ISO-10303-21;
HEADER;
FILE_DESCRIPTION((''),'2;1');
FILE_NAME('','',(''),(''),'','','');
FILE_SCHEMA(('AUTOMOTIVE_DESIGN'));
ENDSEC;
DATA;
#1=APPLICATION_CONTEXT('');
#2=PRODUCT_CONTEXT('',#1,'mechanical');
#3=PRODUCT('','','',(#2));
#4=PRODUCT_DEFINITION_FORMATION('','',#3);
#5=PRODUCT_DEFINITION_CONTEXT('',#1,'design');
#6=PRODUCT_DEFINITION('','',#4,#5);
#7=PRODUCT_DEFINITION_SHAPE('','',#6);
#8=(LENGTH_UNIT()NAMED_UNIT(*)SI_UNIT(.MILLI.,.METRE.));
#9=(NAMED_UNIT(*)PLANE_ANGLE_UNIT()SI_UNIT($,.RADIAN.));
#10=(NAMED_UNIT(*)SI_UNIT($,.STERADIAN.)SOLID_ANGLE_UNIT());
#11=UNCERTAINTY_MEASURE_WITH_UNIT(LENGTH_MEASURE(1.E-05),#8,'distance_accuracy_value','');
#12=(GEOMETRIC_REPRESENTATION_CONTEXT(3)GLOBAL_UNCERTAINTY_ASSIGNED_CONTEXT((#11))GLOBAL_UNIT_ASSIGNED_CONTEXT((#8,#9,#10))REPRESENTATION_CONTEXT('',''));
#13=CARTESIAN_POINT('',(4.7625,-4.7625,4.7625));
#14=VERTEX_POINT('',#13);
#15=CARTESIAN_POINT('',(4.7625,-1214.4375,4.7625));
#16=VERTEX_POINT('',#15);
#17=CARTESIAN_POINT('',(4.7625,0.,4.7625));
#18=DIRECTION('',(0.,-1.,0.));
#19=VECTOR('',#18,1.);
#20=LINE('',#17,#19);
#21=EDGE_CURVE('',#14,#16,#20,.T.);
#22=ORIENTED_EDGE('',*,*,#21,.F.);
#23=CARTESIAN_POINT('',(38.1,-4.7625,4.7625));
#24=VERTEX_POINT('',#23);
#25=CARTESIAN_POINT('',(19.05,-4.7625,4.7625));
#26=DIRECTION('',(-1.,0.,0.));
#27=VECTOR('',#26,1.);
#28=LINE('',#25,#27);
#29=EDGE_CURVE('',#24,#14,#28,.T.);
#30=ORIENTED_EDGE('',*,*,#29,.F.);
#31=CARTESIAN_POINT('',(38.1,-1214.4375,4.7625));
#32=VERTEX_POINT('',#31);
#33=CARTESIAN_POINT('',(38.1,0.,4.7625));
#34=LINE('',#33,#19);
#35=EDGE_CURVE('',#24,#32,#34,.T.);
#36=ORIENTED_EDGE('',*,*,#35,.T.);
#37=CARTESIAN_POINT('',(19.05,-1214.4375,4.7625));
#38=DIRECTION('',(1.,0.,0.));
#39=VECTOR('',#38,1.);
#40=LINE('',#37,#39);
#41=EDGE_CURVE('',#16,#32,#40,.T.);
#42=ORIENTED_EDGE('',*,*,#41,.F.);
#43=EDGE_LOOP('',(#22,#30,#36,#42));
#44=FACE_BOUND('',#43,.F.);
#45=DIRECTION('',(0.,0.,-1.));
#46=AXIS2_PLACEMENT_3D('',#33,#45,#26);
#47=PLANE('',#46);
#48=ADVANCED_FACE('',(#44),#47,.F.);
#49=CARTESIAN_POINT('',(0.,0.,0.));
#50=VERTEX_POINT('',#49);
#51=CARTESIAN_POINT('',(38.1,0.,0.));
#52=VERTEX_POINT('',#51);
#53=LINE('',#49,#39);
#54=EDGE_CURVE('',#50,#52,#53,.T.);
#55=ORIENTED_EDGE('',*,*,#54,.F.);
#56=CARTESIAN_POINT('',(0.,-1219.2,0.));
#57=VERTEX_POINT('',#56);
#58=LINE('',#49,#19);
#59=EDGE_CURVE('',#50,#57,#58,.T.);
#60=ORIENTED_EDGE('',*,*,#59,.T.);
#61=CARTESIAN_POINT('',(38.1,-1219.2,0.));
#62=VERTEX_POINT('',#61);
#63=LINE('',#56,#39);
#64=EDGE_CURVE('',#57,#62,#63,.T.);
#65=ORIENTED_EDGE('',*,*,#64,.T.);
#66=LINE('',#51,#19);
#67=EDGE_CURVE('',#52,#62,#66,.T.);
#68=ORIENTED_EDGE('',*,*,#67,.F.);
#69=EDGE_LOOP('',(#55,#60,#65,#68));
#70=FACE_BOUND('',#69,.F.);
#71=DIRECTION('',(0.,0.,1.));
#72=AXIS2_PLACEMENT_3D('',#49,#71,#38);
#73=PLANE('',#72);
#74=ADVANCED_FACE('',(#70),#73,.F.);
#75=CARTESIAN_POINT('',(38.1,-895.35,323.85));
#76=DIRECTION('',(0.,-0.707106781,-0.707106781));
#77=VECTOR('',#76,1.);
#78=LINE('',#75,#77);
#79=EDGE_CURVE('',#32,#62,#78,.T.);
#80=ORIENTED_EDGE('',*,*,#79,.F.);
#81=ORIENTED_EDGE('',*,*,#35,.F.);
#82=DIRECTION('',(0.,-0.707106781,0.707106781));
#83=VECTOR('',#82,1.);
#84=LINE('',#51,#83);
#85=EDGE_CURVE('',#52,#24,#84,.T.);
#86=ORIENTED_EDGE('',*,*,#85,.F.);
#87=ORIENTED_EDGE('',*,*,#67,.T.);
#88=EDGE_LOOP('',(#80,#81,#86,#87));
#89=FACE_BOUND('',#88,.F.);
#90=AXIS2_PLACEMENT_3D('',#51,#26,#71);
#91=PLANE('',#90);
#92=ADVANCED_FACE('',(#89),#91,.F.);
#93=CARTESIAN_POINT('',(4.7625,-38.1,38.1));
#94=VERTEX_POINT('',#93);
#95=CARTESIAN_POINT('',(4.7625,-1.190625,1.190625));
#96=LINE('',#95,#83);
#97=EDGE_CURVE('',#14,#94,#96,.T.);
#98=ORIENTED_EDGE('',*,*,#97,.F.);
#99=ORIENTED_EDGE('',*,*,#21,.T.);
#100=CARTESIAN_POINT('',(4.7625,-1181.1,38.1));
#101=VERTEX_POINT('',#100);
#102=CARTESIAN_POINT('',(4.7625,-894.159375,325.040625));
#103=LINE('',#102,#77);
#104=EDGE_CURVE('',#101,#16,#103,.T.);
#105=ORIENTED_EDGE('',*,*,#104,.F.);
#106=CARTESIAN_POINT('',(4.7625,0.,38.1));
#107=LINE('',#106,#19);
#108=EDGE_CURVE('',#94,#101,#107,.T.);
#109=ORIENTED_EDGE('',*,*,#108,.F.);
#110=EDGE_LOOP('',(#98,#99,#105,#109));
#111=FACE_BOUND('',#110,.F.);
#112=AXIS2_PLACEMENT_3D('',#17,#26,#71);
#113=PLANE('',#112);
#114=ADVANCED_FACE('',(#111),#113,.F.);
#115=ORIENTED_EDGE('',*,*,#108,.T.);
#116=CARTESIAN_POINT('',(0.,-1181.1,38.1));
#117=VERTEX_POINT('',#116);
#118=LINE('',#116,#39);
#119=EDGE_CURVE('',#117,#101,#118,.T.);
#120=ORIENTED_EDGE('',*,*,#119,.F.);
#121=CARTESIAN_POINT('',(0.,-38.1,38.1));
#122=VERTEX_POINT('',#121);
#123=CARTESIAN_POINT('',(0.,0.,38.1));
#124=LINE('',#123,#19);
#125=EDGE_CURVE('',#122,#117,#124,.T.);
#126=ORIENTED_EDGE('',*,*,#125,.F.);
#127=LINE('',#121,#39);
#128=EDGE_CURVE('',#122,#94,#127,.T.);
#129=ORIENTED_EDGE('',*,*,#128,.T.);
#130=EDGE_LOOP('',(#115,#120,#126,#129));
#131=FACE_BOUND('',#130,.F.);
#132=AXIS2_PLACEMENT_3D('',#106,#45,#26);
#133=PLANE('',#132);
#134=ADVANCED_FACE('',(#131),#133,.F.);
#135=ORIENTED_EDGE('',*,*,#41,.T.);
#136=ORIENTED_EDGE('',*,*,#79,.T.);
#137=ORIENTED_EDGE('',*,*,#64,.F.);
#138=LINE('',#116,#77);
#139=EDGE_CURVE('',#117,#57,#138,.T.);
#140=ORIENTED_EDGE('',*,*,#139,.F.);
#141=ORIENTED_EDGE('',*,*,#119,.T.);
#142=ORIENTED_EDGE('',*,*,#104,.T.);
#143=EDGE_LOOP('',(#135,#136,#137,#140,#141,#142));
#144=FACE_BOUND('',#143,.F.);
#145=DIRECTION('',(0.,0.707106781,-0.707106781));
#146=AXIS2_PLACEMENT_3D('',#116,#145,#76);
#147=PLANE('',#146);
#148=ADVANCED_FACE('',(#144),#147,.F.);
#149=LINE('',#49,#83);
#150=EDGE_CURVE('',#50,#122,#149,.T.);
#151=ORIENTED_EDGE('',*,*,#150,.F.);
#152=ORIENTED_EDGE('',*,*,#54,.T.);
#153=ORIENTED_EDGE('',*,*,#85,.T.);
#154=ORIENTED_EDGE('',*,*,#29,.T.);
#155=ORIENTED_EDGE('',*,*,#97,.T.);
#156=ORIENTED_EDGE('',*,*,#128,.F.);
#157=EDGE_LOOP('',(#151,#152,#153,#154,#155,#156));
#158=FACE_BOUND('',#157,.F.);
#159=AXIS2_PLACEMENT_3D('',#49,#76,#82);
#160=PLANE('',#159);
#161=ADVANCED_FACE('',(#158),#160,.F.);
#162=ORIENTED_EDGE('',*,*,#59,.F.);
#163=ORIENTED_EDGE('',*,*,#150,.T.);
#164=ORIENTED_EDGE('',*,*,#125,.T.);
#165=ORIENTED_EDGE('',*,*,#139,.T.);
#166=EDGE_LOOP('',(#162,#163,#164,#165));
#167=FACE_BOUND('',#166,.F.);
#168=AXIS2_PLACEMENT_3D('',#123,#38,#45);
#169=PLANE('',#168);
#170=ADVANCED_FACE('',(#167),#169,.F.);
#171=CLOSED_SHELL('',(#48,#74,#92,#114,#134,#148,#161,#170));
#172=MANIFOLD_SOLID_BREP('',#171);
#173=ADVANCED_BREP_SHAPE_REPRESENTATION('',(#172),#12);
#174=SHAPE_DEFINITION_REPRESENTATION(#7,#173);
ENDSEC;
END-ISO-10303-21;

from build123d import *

# Parameters (mm, degrees)
F1_DEPTH = 1219.2
F3_DEPTH = 38.101


with BuildPart() as f1:
    # F0 (on Front) → F1 (new body)
    with BuildSketch(Plane.XZ):
        Polygon((0, 38.1), (0, 0), (38.1, 0), (38.1, 4.7625), (4.7625, 4.7625), (4.7625, 38.1), align=None)
    extrude(amount=F1_DEPTH)

    # F2 (on face) → F3 (cut, through all)
    with BuildSketch(Plane(origin=(0, 0, 0), x_dir=(0, -1, 0), z_dir=(-1, 0, 0))):
        Polygon((1181.1, 38.1), (1219.2, 0), (1219.2, 38.1), align=None)
        Polygon((0, 0), (38.1, 38.1), (0, 38.1), align=None)
    extrude(amount=-F3_DEPTH, mode=Mode.SUBTRACT)


solid = f1.part
